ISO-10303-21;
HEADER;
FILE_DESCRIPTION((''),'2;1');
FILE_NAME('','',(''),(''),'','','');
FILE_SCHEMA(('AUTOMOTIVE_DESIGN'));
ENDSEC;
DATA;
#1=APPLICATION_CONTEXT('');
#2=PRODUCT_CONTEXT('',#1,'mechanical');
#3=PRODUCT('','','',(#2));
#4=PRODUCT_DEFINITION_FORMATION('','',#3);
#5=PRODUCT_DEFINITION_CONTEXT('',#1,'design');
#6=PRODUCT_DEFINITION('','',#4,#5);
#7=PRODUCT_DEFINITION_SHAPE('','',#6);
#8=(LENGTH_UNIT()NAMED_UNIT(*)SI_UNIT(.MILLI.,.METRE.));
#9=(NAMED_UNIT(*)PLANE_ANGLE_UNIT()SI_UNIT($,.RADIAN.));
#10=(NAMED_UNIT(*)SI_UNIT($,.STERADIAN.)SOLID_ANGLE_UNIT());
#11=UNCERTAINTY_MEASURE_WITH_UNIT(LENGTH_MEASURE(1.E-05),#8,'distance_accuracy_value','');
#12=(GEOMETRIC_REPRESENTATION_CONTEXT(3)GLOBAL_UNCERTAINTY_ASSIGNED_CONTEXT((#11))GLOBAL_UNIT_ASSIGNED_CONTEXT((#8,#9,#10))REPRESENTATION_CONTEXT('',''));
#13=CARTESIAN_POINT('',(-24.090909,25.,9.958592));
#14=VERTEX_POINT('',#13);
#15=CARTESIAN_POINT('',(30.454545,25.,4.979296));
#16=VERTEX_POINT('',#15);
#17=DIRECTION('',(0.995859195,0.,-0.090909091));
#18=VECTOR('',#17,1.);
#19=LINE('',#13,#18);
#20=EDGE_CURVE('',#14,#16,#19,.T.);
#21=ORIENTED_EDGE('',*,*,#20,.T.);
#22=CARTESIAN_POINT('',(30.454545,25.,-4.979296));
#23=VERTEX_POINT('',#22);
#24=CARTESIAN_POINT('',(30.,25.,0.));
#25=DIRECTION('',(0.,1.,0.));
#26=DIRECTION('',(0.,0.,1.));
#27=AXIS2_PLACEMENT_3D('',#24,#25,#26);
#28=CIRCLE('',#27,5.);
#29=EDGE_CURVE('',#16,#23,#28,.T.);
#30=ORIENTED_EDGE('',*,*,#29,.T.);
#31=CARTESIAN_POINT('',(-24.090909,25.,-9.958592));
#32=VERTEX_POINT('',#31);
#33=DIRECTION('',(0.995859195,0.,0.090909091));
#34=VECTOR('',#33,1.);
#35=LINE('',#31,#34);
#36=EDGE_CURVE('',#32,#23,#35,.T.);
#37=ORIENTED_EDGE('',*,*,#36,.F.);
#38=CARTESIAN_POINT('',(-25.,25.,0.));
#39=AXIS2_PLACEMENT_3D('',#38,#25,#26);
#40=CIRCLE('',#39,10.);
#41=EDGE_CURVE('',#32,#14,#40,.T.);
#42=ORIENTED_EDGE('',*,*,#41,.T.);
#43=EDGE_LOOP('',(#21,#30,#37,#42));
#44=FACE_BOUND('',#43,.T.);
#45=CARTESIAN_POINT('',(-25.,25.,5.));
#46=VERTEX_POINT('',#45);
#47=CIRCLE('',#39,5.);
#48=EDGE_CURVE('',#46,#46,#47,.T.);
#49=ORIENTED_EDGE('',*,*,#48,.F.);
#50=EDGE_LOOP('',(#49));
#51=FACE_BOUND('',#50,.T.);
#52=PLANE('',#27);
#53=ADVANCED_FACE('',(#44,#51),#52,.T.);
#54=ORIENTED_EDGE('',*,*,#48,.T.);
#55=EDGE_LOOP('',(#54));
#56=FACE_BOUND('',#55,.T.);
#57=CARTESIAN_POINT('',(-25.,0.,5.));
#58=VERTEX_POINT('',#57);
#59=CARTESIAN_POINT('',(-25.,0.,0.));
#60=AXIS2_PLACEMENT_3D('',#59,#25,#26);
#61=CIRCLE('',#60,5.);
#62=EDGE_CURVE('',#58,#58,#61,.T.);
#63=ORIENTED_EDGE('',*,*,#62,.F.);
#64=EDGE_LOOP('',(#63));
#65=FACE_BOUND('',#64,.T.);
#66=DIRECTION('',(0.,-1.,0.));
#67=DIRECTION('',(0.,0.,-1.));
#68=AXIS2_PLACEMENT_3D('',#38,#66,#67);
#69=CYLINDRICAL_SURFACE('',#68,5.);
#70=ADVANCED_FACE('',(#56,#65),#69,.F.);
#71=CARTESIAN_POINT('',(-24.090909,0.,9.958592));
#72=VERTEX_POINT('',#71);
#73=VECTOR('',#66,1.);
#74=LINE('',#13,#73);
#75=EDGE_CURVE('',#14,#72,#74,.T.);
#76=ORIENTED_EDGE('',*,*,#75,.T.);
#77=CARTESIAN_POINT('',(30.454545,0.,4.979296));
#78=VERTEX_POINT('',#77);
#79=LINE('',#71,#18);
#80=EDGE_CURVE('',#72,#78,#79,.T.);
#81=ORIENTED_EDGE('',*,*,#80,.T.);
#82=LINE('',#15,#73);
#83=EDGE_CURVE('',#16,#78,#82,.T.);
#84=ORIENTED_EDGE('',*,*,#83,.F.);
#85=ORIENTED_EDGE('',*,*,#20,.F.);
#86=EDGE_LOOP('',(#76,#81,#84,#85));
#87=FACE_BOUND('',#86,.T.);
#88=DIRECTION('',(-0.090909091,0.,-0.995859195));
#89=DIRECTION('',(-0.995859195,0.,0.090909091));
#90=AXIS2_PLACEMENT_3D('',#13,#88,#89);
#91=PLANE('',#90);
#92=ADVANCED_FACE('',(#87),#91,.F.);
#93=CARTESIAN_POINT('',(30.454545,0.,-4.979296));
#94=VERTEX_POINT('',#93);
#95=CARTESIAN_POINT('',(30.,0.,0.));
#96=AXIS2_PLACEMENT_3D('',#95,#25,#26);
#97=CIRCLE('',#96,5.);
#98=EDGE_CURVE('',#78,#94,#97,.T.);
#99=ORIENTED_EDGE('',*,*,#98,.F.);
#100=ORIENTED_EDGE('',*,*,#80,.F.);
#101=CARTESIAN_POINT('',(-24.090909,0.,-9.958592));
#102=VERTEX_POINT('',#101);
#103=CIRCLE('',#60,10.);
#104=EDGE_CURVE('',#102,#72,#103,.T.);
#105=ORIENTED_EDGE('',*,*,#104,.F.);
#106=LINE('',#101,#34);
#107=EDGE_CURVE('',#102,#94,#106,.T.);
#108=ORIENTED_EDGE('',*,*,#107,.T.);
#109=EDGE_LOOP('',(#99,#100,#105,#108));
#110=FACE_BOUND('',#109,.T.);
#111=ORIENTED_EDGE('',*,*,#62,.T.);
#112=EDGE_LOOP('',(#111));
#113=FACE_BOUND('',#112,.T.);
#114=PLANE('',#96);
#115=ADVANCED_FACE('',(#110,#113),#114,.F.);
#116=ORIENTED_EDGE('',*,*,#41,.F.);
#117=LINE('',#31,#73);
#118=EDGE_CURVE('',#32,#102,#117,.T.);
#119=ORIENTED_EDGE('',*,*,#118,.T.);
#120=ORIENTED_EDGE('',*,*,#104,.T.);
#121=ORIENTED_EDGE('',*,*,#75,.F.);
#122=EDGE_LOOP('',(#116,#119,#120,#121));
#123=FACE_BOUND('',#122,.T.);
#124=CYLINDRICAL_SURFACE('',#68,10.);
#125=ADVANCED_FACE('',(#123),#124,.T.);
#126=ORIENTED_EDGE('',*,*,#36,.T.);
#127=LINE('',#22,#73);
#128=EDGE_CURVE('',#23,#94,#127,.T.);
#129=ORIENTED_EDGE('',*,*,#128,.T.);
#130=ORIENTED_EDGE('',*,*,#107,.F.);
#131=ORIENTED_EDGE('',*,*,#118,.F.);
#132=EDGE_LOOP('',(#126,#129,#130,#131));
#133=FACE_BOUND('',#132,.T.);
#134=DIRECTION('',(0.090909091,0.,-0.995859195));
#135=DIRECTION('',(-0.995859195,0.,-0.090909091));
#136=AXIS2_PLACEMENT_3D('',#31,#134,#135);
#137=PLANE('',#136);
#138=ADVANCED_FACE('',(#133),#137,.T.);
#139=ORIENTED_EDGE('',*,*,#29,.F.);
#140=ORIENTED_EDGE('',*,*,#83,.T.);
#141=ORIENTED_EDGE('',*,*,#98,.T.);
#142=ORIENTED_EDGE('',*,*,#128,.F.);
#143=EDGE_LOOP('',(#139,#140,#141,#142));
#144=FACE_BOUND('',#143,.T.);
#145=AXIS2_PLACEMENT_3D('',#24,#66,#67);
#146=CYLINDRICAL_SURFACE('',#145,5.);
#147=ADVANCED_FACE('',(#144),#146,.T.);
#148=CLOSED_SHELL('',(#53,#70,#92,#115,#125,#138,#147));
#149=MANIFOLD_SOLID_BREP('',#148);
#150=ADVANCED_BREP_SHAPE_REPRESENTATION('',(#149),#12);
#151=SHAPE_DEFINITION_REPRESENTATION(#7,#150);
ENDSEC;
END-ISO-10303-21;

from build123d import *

# Parameters (mm, degrees)
SKETCH1_R           = 5
BOSS_EXTRUDE1_DEPTH = 25


with BuildPart() as part:
    # Sketch1 → Boss-Extrude1 (new body)
    with BuildSketch(Plane(origin=(0, 0, 0), x_dir=(1, 0, 0), z_dir=(0, 1, 0))):
        with BuildLine():
            Line((-24.090909091, 9.958591955), (30.454545455, 4.979295977))
            ThreePointArc((30.454545455, 4.979295977), (35, 0), (30.454545455, -4.979295977))
            Line((30.454545455, -4.979295977), (-24.090909091, -9.958591955))
            ThreePointArc((-24.090909091, -9.958591955), (-35, 0), (-24.090909091, 9.958591955))
        make_face()
        with Locations((-25, 0)):
            Circle(SKETCH1_R, mode=Mode.SUBTRACT)
    extrude(amount=BOSS_EXTRUDE1_DEPTH)


solid = part.part
